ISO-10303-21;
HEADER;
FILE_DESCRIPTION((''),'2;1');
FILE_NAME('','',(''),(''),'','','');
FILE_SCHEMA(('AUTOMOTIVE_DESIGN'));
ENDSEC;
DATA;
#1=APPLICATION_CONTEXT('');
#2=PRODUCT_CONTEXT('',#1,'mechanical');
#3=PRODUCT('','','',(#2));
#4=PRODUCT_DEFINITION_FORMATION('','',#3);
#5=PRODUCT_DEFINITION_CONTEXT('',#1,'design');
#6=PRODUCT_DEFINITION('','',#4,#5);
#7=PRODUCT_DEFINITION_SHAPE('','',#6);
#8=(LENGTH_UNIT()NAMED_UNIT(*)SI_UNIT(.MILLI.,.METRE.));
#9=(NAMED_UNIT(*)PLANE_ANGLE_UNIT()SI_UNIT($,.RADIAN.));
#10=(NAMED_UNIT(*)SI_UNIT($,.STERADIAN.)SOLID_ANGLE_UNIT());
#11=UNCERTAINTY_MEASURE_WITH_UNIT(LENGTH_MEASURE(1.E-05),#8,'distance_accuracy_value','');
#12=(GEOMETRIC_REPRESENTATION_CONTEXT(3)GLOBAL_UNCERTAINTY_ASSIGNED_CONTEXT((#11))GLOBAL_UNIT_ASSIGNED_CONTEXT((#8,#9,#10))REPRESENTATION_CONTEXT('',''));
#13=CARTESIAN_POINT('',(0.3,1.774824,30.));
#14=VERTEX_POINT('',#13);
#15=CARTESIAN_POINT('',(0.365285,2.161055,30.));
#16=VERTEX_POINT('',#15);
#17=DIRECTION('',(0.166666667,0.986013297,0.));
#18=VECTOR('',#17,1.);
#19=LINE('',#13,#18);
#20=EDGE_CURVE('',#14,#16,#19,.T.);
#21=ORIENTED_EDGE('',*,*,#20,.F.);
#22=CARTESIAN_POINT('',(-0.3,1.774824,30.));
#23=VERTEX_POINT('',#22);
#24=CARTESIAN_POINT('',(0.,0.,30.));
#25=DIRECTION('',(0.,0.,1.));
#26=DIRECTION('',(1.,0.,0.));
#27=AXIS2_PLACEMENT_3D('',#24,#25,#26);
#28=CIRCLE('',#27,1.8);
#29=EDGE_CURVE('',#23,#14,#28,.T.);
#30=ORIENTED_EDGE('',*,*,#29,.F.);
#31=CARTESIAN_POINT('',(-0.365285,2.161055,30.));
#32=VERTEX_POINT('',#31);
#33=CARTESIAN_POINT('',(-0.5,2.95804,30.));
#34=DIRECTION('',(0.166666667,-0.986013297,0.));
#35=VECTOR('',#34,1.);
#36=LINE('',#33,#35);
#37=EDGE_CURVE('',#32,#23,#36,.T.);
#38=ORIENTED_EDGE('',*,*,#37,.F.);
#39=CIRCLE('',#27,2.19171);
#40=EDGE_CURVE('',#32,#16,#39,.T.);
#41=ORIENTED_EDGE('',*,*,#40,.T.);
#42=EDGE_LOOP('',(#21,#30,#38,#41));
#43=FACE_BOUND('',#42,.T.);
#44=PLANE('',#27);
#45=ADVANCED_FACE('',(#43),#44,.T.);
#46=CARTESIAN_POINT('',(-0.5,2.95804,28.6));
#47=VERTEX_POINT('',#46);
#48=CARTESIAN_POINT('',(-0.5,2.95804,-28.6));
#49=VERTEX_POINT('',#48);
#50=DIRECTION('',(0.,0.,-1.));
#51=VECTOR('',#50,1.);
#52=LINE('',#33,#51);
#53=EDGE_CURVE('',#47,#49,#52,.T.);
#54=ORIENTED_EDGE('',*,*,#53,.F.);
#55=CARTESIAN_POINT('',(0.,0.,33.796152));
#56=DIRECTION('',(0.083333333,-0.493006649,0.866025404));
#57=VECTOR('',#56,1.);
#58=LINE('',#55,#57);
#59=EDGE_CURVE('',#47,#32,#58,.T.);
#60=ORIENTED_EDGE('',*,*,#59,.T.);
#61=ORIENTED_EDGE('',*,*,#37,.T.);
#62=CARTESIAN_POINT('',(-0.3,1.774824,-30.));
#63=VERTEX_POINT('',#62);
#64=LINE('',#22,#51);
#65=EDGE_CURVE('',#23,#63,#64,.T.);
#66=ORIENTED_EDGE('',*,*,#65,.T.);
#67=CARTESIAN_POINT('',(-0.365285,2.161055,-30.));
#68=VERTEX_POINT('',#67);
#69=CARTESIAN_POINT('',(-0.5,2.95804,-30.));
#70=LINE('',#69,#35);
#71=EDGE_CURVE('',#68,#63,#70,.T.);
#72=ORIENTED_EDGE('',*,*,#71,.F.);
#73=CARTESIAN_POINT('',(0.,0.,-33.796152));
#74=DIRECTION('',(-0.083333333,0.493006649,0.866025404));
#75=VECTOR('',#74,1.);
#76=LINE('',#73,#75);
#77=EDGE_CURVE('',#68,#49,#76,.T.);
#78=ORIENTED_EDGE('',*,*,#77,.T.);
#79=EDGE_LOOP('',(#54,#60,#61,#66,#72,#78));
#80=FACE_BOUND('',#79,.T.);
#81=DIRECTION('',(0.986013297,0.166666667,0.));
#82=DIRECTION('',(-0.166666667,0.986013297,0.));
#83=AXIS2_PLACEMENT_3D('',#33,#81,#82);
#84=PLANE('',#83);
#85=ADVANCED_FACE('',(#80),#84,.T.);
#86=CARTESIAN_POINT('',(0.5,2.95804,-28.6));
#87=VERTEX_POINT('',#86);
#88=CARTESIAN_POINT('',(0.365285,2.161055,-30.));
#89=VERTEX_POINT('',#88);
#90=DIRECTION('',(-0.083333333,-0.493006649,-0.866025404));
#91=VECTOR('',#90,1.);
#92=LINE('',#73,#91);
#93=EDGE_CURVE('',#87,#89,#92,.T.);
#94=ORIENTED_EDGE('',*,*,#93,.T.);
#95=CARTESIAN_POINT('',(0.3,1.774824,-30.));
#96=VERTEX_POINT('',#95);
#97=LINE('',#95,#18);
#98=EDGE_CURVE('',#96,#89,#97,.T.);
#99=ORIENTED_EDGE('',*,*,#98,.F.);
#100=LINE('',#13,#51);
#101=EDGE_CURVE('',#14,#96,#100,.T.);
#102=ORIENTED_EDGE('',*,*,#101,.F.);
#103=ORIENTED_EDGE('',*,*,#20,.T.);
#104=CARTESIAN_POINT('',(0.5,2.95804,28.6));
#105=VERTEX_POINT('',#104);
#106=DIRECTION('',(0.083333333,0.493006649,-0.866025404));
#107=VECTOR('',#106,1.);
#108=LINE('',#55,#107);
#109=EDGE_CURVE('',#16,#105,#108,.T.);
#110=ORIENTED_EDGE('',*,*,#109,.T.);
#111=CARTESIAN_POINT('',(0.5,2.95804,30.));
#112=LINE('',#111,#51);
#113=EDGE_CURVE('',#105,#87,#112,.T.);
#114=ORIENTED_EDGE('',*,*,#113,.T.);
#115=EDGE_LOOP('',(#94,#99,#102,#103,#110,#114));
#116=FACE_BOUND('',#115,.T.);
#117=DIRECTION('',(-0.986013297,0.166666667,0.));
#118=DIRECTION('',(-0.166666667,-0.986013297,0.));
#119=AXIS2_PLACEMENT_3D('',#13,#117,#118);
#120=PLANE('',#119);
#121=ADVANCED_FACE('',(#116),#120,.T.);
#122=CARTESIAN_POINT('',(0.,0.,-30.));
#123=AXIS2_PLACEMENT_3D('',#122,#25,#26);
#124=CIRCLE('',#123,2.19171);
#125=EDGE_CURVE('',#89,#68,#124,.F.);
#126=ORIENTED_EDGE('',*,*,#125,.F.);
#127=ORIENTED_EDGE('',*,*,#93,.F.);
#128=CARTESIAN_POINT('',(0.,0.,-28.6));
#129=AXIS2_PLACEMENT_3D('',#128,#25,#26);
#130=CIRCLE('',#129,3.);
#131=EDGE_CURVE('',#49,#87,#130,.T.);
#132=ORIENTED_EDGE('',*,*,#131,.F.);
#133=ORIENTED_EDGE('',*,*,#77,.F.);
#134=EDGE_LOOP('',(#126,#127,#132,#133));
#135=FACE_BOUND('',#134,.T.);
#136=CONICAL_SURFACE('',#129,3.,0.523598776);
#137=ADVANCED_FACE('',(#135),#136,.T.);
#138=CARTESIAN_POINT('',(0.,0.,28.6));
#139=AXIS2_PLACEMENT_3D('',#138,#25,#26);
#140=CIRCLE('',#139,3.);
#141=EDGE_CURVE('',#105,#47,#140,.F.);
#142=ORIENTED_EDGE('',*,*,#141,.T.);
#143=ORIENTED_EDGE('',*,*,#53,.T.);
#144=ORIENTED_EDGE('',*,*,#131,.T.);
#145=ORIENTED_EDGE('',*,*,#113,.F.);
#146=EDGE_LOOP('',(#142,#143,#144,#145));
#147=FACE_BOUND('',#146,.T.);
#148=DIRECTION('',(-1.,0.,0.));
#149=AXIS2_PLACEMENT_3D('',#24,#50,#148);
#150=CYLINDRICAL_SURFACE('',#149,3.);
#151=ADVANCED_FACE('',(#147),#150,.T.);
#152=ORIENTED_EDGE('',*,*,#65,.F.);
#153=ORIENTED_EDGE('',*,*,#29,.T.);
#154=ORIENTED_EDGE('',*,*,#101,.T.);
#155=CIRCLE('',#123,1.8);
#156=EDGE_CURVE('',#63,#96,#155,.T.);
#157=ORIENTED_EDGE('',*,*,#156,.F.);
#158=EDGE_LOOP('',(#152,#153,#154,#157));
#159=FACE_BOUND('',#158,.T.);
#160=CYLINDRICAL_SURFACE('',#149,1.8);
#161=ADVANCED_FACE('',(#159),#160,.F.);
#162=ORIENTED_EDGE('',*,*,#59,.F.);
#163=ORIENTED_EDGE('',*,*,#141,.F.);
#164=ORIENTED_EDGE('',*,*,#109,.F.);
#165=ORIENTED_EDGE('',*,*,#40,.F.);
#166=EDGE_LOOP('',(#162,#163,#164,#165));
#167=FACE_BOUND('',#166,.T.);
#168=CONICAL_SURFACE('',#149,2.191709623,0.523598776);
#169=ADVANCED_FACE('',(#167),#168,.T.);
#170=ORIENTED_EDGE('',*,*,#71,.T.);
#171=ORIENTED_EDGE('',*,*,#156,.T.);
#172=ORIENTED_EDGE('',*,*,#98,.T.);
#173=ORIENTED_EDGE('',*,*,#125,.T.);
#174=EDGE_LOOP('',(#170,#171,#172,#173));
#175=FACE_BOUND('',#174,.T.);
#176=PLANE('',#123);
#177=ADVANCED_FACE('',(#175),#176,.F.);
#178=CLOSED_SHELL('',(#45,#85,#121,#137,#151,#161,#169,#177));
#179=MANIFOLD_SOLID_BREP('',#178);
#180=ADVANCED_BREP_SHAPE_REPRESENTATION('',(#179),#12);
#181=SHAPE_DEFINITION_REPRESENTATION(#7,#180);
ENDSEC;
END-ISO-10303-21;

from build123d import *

# Parameters (mm, degrees)
BASE_EXTRUDE_THIN_DEPTH = 30
CHAMFER1_SIZE           = 1.4
CHAMFER1_SIZE2          = 0.808290377


with BuildPart() as part:
    # Sketch1 → Base-Extrude-Thin (new, symmetric)
    with BuildSketch(Plane.XY):
        with BuildLine():
            ThreePointArc((-0.5, 2.958039892), (0, -3), (0.5, 2.958039892))
            Line((0.5, 2.958039892), (0.3, 1.774823935))
            ThreePointArc((0.3, 1.774823935), (0, -1.8), (-0.3, 1.774823935))
            Line((-0.3, 1.774823935), (-0.5, 2.958039892))
        make_face()
    extrude(amount=BASE_EXTRUDE_THIN_DEPTH, both=True)

    # Chamfer1
    chamfer1_edges = [part.edges().sort_by_distance(p)[0] for p in [
        (0, -3, 30),
        (0, -3, -30),
    ]]
    chamfer1_side = [part.faces().sort_by_distance(p)[0] for p in [
        (0, -3, 0),
    ]]
    chamfer(chamfer1_edges, length=CHAMFER1_SIZE, length2=CHAMFER1_SIZE2, reference=chamfer1_side[0])


solid = part.part
